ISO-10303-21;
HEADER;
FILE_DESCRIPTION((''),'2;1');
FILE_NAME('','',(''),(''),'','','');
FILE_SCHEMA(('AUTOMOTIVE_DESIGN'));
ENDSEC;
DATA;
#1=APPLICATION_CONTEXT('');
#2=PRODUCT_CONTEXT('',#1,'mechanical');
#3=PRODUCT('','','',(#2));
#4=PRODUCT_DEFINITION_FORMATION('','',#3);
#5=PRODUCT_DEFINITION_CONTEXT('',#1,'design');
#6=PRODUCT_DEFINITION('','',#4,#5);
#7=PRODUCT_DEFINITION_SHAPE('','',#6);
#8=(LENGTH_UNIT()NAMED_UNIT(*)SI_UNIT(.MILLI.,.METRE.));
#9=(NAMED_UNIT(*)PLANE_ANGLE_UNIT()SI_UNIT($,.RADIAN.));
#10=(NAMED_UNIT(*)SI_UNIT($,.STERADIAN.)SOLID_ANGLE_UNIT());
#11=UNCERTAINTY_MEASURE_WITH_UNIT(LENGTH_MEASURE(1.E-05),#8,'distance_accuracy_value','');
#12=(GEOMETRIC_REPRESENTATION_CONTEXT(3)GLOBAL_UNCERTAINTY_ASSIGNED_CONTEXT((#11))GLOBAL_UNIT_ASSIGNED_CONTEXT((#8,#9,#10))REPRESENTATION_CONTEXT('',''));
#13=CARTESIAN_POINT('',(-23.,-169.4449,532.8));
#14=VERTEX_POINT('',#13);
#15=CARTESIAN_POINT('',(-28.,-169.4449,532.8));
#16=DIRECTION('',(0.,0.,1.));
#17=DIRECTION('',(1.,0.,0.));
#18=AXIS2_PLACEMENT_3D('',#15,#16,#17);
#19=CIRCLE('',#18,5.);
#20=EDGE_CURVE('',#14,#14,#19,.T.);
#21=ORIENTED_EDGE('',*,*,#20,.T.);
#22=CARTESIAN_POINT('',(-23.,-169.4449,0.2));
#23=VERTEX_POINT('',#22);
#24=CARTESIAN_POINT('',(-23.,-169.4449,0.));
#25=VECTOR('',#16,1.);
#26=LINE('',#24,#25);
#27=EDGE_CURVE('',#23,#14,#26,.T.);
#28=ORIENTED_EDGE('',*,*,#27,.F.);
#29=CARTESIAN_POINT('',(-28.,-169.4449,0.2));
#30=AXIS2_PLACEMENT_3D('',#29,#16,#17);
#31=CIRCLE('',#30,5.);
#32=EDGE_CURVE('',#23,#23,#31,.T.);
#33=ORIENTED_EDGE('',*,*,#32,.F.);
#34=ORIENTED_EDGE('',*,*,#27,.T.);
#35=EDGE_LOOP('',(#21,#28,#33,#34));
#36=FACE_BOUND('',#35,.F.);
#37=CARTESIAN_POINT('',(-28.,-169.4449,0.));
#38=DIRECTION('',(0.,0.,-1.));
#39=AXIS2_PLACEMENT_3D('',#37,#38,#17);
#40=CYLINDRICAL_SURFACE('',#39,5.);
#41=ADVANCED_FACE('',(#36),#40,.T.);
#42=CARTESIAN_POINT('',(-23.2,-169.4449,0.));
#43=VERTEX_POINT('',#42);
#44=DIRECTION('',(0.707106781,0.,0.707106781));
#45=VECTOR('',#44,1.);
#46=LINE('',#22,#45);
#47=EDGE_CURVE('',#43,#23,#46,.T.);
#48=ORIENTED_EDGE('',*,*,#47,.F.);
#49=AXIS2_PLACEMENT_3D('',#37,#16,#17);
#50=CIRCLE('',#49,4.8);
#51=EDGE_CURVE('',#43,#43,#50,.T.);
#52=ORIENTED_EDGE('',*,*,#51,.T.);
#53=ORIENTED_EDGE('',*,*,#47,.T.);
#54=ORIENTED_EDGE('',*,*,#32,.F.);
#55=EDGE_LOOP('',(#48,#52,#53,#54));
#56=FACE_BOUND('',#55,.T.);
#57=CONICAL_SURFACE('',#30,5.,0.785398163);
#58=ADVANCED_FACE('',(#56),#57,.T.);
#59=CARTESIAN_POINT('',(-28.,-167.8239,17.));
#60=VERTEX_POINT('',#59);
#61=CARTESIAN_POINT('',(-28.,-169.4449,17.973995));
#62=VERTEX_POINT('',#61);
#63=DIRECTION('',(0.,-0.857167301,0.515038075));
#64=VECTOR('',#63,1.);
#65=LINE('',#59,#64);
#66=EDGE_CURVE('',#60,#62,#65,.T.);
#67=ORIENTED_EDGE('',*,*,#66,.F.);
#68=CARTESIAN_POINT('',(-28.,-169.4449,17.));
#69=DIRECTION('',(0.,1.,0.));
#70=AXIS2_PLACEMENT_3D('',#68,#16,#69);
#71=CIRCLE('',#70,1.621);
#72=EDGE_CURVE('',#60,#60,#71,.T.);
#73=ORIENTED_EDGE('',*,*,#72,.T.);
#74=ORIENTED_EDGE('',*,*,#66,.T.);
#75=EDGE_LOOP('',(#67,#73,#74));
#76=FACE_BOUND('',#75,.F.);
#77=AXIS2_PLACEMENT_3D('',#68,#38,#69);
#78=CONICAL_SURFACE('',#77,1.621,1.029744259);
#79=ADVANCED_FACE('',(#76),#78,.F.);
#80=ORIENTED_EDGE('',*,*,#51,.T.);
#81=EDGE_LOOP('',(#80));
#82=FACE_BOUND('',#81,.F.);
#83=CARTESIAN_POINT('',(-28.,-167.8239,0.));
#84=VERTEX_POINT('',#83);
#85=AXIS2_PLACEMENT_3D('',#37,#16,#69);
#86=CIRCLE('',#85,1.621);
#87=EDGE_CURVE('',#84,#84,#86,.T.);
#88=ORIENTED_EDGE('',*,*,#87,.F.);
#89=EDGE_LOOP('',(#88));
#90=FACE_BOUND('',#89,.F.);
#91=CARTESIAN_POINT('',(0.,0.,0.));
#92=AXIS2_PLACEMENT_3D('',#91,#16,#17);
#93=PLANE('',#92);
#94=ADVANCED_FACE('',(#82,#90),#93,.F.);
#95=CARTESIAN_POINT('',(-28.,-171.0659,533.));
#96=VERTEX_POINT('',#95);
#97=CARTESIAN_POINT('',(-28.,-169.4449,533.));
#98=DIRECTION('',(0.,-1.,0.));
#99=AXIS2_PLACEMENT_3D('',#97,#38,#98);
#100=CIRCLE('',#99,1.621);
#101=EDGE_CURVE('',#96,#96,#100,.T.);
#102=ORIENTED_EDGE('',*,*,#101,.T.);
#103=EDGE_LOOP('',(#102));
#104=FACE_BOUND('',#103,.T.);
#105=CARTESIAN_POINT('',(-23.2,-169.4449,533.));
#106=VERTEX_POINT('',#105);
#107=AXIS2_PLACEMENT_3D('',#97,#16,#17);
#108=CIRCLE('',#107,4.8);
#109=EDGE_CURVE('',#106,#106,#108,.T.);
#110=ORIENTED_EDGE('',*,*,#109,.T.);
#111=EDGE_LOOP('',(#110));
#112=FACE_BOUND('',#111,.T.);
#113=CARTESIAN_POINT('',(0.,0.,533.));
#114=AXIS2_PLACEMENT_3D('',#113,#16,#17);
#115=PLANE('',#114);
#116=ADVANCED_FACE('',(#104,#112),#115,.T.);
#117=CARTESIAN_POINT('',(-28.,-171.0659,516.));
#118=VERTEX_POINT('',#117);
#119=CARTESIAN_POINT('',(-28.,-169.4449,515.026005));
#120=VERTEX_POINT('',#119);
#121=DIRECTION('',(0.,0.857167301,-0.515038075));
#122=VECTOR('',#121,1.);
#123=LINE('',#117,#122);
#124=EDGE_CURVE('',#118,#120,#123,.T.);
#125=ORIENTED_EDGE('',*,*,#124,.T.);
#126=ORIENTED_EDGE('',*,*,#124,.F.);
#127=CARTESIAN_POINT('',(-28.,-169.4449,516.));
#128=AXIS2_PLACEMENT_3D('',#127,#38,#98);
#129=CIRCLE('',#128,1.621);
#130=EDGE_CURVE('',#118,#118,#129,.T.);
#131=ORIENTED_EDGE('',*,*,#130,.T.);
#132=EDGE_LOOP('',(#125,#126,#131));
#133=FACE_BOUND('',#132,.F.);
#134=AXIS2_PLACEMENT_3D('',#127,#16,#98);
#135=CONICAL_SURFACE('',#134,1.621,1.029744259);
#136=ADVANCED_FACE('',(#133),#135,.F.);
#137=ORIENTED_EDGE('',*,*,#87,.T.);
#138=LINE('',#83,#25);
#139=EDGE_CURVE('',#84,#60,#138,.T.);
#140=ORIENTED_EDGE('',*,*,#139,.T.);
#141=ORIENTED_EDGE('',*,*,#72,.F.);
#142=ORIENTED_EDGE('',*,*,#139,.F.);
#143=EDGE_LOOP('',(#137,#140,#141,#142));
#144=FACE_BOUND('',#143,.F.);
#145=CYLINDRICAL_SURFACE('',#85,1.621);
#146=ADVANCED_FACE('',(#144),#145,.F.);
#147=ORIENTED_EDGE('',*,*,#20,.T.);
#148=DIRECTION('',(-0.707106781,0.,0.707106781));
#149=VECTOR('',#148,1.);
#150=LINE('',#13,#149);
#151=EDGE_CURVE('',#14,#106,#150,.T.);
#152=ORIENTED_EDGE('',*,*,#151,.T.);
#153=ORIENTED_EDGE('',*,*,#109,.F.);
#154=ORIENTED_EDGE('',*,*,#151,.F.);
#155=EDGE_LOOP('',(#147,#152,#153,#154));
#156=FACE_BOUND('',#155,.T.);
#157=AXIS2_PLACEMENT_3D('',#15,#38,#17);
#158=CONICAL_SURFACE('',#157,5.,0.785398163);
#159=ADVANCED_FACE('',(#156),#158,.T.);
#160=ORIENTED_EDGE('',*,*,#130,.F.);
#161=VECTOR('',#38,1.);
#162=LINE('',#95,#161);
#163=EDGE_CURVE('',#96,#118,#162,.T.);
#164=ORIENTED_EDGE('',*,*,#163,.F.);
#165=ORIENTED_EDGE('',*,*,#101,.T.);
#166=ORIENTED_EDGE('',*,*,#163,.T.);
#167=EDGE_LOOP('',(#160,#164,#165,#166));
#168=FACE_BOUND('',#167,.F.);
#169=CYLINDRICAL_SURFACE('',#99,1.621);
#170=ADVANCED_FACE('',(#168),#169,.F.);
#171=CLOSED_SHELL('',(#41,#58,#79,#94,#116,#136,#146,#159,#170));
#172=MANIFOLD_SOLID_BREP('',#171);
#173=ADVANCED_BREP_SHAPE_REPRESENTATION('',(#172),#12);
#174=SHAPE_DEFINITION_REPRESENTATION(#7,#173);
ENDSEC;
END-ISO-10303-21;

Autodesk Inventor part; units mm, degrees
ref_plane "YZ Plane" through (0, 0, 0) normal (1, 0, 0) x (0, 1, 0)
ref_plane "XZ Plane" through (0, 0, 0) normal (0, 1, 0) x (-1, 0, 0)
ref_plane "XY Plane" through (0, 0, 0) normal (0, 0, 1) x (1, 0, 0)
sketch "Sketch1" plane through (0, 0, 0) normal (0, 0, 1) x (1, 0, 0)
  circle A0 centre (-28, -169.4449) radius 2 projected
  circle A1 centre (-28, -169.4449) radius 5
  point P0 (0, 0)
  dimension "d0" = 10
extrude "Extrusion1" add sketch "Sketch1" along normal blind 533 contours A0 | A1
sketch "Sketch2" plane through (-28, -169.4449, 533) normal (0, 0, 1) x (1, 0, 0)
  circle A0 centre (0, 0) radius 5 projected
  point P0 (28, 169.4449)
hole "Hole1" at (-28, -169.4449, 533) direction (0, 0, -1) diameter 3.242 depth 17 tip angle 118 thread size "M4x0.7" class "6H" standard "ISO Metric profile"
sketch "Sketch3" plane through (-28, -169.4449, 0) normal (0, 0, -1) x (-1, 0, 0)
  circle A0 centre (0, 0) radius 5 projected
  point P0 (-28, 169.4449)
hole "Hole2" at (-28, -169.4449, 0) direction (0, 0, 1) diameter 3.242 depth 17 tip angle 118 thread size "M4x0.7" class "6H" standard "ISO Metric profile"
chamfer "Chamfer1" distance 0.2 angle 45 2 edges at (-33, -169.4449, 0) (-33, -169.4449, 533)
properties material "Stainless Steel"
